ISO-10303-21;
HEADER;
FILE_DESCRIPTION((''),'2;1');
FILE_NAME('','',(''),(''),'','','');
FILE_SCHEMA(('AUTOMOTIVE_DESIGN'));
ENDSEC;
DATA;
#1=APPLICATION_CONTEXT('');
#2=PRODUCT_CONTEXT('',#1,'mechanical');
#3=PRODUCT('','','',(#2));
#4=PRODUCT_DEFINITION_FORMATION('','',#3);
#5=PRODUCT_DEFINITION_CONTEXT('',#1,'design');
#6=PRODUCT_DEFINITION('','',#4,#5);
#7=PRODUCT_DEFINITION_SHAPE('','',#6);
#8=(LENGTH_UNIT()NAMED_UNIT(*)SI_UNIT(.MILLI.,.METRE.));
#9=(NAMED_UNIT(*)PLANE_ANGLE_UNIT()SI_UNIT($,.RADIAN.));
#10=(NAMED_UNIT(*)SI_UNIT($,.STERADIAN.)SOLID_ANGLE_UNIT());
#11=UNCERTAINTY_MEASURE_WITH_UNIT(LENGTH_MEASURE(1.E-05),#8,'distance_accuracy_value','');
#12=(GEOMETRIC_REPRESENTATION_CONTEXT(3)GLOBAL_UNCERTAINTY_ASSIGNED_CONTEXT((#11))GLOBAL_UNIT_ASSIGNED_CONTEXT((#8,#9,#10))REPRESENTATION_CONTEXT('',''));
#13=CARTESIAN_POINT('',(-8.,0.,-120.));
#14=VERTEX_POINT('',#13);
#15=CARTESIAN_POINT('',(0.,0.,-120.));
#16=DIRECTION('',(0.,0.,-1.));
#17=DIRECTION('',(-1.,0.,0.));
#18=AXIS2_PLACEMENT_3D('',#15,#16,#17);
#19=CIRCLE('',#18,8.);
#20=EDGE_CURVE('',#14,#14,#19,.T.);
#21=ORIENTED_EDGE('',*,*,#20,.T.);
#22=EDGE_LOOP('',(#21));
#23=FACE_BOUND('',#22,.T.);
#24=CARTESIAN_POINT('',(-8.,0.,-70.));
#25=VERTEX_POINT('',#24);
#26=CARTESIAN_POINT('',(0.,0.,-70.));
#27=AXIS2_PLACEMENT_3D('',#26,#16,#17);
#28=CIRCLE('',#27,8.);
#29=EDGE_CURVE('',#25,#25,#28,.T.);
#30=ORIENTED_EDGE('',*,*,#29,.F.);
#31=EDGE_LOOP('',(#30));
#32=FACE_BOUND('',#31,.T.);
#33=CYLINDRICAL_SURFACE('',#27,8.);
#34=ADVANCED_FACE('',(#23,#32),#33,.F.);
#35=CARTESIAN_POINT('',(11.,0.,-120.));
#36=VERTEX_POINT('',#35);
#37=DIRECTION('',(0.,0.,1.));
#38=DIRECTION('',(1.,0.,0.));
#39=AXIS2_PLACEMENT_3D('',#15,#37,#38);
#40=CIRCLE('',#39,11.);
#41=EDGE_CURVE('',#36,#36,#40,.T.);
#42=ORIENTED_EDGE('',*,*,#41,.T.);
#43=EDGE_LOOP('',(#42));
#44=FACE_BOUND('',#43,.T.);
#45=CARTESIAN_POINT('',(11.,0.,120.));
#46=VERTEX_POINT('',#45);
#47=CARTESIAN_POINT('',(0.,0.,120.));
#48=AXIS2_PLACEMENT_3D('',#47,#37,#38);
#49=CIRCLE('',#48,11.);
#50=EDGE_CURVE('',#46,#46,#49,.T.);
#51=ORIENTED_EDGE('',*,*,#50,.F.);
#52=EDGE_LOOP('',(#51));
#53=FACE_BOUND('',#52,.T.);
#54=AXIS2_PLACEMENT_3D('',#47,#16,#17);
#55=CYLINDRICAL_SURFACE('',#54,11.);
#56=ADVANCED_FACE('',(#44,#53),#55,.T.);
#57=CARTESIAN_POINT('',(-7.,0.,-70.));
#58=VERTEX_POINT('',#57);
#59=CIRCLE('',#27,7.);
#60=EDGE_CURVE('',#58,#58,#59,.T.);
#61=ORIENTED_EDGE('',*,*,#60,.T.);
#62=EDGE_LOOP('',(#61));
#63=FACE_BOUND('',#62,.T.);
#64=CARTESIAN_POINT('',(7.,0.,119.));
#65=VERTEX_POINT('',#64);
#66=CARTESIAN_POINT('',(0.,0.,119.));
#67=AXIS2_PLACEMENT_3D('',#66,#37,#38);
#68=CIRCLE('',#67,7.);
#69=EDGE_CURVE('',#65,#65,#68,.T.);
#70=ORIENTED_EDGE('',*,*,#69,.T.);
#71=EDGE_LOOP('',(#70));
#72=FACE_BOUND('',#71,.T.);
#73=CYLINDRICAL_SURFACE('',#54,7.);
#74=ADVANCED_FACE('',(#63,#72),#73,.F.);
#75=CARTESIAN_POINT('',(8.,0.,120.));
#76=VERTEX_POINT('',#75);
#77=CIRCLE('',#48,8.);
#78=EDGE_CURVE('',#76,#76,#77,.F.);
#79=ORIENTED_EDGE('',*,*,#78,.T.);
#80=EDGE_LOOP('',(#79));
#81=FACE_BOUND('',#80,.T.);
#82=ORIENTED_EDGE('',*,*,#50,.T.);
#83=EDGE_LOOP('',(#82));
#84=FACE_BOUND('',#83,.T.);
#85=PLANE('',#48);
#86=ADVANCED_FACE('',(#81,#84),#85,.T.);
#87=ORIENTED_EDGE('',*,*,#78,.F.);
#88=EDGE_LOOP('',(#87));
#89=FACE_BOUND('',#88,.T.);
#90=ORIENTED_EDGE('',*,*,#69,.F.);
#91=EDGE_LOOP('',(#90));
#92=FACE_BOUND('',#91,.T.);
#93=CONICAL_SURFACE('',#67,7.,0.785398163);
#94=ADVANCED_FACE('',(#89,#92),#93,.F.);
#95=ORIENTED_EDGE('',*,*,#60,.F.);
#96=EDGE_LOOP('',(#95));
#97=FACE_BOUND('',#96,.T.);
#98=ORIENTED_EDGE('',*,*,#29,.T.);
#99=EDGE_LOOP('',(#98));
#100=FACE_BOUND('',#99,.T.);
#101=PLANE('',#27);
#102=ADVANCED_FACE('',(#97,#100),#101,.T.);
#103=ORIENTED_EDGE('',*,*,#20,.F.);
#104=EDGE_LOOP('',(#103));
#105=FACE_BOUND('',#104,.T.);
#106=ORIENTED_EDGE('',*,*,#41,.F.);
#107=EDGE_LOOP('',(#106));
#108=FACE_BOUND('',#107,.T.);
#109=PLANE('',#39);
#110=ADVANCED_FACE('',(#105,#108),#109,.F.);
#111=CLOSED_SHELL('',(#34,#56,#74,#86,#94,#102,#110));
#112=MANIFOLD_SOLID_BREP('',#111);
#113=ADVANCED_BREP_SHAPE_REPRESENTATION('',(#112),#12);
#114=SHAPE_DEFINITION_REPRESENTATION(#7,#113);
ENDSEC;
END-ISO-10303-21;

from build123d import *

# Parameters (mm, degrees)
SZKIC1_R                    = 11
SZKIC1_R_2                  = 7
DODANIE_WYCI_GNI_CIE1_DEPTH = 120
SZKIC2_R                    = 8
WYTNIJ_WYCI_GNI_CIE1_DEPTH  = 50
SFAZOWANIE1_SIZE            = 1


with BuildPart() as part:
    # Szkic1 → Dodanie-wyciągnięcie1 (new, symmetric)
    with BuildSketch(Plane.XY):
        Circle(SZKIC1_R)
        Circle(SZKIC1_R_2, mode=Mode.SUBTRACT)
    extrude(amount=DODANIE_WYCI_GNI_CIE1_DEPTH, both=True)

    # Szkic2 → Wytnij-wyciągnięcie1 (cut)
    with BuildSketch(Plane(origin=(0, 0, -120), x_dir=(-1, 0, 0), z_dir=(0, 0, -1))):
        Circle(SZKIC2_R)
    extrude(amount=-WYTNIJ_WYCI_GNI_CIE1_DEPTH, mode=Mode.SUBTRACT)

    # Sfazowanie1
    sfazowanie1_edges = [part.edges().sort_by_distance(p)[0] for p in [
        (-7, 0, 120),
    ]]
    chamfer(sfazowanie1_edges, length=SFAZOWANIE1_SIZE)


solid = part.part
